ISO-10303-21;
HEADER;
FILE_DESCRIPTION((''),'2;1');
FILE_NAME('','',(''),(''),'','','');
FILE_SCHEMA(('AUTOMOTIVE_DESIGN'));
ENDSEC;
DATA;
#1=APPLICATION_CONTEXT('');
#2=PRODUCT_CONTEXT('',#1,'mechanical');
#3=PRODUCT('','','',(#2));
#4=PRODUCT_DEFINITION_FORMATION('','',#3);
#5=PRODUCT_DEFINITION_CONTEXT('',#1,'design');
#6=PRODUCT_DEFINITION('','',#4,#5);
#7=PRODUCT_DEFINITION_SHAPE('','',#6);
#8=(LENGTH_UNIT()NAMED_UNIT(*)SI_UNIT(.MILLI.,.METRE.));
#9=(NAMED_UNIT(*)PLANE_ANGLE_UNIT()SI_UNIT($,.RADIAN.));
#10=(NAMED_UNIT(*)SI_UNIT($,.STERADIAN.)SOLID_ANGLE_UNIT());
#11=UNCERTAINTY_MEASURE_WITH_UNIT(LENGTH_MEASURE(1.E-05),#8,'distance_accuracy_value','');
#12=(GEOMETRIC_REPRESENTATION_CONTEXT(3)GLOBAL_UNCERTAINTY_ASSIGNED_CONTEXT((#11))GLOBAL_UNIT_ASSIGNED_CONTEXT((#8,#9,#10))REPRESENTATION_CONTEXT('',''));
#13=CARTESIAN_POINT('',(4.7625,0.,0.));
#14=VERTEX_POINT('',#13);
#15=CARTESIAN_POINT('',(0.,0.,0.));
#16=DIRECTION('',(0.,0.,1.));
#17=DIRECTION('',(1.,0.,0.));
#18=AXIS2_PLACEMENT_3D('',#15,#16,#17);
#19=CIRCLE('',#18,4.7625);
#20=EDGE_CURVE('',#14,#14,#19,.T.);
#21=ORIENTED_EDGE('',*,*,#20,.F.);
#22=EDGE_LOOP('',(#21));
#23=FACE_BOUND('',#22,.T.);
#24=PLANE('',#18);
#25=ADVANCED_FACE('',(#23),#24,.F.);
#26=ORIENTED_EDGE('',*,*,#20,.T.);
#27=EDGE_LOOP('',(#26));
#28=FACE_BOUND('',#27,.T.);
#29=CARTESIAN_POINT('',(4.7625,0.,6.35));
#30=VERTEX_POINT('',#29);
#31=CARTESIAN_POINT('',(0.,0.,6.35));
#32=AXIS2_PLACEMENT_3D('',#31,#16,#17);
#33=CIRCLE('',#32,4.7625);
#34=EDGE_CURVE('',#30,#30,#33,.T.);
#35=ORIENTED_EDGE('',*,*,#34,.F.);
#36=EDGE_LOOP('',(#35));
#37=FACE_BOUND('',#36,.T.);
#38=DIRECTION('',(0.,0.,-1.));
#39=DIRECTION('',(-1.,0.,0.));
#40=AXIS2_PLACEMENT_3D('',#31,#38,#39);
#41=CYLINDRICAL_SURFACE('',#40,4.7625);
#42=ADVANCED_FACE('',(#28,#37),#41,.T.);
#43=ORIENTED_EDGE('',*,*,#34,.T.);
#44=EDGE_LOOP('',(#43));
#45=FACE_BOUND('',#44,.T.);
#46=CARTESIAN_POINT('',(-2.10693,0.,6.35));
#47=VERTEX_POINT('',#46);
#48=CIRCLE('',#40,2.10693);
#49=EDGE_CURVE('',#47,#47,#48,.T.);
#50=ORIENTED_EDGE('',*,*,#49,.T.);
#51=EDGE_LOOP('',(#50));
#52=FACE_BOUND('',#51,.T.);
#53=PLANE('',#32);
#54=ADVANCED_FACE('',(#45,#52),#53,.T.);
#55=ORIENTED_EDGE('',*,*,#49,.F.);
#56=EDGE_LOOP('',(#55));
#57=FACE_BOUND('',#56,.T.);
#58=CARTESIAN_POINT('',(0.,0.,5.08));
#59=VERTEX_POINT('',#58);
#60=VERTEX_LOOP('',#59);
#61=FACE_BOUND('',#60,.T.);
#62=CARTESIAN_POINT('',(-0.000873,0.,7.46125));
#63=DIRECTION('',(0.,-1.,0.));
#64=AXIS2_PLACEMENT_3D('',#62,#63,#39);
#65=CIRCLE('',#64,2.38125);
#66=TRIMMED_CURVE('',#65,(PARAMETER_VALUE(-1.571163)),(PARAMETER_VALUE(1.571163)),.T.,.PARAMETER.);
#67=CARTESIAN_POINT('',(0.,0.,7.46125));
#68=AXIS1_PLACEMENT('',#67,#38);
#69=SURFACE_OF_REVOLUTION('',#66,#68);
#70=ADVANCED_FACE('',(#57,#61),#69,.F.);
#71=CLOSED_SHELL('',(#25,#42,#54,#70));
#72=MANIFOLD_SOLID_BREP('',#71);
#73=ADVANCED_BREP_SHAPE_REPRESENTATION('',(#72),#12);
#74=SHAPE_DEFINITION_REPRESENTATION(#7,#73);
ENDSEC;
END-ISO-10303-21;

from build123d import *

# Parameters (mm, degrees)
SKETCH1_R           = 4.7625
BOSS_EXTRUDE1_DEPTH = 6.35


with BuildPart() as part:
    # Sketch1 → Boss-Extrude1 (new body)
    with BuildSketch(Plane.XY):
        Circle(SKETCH1_R)
    extrude(amount=BOSS_EXTRUDE1_DEPTH)

    # Sketch3 → Cut-Revolve1 (revolve, cut)
    with BuildSketch(Plane(origin=(0, 0, 0), x_dir=(1, 0, 0), z_dir=(0, 1, 0))):
        with BuildLine():
            Line((0, -6.35), (0, -5.08))
            ThreePointArc((0, -5.08), (1.230171572, -5.421843797), (2.10693, -6.35))
            Line((2.10693, -6.35), (0, -6.35))
        make_face()
    revolve(axis=Axis((0, 0, 0), (0, 0, 1)), mode=Mode.SUBTRACT)


solid = part.part
